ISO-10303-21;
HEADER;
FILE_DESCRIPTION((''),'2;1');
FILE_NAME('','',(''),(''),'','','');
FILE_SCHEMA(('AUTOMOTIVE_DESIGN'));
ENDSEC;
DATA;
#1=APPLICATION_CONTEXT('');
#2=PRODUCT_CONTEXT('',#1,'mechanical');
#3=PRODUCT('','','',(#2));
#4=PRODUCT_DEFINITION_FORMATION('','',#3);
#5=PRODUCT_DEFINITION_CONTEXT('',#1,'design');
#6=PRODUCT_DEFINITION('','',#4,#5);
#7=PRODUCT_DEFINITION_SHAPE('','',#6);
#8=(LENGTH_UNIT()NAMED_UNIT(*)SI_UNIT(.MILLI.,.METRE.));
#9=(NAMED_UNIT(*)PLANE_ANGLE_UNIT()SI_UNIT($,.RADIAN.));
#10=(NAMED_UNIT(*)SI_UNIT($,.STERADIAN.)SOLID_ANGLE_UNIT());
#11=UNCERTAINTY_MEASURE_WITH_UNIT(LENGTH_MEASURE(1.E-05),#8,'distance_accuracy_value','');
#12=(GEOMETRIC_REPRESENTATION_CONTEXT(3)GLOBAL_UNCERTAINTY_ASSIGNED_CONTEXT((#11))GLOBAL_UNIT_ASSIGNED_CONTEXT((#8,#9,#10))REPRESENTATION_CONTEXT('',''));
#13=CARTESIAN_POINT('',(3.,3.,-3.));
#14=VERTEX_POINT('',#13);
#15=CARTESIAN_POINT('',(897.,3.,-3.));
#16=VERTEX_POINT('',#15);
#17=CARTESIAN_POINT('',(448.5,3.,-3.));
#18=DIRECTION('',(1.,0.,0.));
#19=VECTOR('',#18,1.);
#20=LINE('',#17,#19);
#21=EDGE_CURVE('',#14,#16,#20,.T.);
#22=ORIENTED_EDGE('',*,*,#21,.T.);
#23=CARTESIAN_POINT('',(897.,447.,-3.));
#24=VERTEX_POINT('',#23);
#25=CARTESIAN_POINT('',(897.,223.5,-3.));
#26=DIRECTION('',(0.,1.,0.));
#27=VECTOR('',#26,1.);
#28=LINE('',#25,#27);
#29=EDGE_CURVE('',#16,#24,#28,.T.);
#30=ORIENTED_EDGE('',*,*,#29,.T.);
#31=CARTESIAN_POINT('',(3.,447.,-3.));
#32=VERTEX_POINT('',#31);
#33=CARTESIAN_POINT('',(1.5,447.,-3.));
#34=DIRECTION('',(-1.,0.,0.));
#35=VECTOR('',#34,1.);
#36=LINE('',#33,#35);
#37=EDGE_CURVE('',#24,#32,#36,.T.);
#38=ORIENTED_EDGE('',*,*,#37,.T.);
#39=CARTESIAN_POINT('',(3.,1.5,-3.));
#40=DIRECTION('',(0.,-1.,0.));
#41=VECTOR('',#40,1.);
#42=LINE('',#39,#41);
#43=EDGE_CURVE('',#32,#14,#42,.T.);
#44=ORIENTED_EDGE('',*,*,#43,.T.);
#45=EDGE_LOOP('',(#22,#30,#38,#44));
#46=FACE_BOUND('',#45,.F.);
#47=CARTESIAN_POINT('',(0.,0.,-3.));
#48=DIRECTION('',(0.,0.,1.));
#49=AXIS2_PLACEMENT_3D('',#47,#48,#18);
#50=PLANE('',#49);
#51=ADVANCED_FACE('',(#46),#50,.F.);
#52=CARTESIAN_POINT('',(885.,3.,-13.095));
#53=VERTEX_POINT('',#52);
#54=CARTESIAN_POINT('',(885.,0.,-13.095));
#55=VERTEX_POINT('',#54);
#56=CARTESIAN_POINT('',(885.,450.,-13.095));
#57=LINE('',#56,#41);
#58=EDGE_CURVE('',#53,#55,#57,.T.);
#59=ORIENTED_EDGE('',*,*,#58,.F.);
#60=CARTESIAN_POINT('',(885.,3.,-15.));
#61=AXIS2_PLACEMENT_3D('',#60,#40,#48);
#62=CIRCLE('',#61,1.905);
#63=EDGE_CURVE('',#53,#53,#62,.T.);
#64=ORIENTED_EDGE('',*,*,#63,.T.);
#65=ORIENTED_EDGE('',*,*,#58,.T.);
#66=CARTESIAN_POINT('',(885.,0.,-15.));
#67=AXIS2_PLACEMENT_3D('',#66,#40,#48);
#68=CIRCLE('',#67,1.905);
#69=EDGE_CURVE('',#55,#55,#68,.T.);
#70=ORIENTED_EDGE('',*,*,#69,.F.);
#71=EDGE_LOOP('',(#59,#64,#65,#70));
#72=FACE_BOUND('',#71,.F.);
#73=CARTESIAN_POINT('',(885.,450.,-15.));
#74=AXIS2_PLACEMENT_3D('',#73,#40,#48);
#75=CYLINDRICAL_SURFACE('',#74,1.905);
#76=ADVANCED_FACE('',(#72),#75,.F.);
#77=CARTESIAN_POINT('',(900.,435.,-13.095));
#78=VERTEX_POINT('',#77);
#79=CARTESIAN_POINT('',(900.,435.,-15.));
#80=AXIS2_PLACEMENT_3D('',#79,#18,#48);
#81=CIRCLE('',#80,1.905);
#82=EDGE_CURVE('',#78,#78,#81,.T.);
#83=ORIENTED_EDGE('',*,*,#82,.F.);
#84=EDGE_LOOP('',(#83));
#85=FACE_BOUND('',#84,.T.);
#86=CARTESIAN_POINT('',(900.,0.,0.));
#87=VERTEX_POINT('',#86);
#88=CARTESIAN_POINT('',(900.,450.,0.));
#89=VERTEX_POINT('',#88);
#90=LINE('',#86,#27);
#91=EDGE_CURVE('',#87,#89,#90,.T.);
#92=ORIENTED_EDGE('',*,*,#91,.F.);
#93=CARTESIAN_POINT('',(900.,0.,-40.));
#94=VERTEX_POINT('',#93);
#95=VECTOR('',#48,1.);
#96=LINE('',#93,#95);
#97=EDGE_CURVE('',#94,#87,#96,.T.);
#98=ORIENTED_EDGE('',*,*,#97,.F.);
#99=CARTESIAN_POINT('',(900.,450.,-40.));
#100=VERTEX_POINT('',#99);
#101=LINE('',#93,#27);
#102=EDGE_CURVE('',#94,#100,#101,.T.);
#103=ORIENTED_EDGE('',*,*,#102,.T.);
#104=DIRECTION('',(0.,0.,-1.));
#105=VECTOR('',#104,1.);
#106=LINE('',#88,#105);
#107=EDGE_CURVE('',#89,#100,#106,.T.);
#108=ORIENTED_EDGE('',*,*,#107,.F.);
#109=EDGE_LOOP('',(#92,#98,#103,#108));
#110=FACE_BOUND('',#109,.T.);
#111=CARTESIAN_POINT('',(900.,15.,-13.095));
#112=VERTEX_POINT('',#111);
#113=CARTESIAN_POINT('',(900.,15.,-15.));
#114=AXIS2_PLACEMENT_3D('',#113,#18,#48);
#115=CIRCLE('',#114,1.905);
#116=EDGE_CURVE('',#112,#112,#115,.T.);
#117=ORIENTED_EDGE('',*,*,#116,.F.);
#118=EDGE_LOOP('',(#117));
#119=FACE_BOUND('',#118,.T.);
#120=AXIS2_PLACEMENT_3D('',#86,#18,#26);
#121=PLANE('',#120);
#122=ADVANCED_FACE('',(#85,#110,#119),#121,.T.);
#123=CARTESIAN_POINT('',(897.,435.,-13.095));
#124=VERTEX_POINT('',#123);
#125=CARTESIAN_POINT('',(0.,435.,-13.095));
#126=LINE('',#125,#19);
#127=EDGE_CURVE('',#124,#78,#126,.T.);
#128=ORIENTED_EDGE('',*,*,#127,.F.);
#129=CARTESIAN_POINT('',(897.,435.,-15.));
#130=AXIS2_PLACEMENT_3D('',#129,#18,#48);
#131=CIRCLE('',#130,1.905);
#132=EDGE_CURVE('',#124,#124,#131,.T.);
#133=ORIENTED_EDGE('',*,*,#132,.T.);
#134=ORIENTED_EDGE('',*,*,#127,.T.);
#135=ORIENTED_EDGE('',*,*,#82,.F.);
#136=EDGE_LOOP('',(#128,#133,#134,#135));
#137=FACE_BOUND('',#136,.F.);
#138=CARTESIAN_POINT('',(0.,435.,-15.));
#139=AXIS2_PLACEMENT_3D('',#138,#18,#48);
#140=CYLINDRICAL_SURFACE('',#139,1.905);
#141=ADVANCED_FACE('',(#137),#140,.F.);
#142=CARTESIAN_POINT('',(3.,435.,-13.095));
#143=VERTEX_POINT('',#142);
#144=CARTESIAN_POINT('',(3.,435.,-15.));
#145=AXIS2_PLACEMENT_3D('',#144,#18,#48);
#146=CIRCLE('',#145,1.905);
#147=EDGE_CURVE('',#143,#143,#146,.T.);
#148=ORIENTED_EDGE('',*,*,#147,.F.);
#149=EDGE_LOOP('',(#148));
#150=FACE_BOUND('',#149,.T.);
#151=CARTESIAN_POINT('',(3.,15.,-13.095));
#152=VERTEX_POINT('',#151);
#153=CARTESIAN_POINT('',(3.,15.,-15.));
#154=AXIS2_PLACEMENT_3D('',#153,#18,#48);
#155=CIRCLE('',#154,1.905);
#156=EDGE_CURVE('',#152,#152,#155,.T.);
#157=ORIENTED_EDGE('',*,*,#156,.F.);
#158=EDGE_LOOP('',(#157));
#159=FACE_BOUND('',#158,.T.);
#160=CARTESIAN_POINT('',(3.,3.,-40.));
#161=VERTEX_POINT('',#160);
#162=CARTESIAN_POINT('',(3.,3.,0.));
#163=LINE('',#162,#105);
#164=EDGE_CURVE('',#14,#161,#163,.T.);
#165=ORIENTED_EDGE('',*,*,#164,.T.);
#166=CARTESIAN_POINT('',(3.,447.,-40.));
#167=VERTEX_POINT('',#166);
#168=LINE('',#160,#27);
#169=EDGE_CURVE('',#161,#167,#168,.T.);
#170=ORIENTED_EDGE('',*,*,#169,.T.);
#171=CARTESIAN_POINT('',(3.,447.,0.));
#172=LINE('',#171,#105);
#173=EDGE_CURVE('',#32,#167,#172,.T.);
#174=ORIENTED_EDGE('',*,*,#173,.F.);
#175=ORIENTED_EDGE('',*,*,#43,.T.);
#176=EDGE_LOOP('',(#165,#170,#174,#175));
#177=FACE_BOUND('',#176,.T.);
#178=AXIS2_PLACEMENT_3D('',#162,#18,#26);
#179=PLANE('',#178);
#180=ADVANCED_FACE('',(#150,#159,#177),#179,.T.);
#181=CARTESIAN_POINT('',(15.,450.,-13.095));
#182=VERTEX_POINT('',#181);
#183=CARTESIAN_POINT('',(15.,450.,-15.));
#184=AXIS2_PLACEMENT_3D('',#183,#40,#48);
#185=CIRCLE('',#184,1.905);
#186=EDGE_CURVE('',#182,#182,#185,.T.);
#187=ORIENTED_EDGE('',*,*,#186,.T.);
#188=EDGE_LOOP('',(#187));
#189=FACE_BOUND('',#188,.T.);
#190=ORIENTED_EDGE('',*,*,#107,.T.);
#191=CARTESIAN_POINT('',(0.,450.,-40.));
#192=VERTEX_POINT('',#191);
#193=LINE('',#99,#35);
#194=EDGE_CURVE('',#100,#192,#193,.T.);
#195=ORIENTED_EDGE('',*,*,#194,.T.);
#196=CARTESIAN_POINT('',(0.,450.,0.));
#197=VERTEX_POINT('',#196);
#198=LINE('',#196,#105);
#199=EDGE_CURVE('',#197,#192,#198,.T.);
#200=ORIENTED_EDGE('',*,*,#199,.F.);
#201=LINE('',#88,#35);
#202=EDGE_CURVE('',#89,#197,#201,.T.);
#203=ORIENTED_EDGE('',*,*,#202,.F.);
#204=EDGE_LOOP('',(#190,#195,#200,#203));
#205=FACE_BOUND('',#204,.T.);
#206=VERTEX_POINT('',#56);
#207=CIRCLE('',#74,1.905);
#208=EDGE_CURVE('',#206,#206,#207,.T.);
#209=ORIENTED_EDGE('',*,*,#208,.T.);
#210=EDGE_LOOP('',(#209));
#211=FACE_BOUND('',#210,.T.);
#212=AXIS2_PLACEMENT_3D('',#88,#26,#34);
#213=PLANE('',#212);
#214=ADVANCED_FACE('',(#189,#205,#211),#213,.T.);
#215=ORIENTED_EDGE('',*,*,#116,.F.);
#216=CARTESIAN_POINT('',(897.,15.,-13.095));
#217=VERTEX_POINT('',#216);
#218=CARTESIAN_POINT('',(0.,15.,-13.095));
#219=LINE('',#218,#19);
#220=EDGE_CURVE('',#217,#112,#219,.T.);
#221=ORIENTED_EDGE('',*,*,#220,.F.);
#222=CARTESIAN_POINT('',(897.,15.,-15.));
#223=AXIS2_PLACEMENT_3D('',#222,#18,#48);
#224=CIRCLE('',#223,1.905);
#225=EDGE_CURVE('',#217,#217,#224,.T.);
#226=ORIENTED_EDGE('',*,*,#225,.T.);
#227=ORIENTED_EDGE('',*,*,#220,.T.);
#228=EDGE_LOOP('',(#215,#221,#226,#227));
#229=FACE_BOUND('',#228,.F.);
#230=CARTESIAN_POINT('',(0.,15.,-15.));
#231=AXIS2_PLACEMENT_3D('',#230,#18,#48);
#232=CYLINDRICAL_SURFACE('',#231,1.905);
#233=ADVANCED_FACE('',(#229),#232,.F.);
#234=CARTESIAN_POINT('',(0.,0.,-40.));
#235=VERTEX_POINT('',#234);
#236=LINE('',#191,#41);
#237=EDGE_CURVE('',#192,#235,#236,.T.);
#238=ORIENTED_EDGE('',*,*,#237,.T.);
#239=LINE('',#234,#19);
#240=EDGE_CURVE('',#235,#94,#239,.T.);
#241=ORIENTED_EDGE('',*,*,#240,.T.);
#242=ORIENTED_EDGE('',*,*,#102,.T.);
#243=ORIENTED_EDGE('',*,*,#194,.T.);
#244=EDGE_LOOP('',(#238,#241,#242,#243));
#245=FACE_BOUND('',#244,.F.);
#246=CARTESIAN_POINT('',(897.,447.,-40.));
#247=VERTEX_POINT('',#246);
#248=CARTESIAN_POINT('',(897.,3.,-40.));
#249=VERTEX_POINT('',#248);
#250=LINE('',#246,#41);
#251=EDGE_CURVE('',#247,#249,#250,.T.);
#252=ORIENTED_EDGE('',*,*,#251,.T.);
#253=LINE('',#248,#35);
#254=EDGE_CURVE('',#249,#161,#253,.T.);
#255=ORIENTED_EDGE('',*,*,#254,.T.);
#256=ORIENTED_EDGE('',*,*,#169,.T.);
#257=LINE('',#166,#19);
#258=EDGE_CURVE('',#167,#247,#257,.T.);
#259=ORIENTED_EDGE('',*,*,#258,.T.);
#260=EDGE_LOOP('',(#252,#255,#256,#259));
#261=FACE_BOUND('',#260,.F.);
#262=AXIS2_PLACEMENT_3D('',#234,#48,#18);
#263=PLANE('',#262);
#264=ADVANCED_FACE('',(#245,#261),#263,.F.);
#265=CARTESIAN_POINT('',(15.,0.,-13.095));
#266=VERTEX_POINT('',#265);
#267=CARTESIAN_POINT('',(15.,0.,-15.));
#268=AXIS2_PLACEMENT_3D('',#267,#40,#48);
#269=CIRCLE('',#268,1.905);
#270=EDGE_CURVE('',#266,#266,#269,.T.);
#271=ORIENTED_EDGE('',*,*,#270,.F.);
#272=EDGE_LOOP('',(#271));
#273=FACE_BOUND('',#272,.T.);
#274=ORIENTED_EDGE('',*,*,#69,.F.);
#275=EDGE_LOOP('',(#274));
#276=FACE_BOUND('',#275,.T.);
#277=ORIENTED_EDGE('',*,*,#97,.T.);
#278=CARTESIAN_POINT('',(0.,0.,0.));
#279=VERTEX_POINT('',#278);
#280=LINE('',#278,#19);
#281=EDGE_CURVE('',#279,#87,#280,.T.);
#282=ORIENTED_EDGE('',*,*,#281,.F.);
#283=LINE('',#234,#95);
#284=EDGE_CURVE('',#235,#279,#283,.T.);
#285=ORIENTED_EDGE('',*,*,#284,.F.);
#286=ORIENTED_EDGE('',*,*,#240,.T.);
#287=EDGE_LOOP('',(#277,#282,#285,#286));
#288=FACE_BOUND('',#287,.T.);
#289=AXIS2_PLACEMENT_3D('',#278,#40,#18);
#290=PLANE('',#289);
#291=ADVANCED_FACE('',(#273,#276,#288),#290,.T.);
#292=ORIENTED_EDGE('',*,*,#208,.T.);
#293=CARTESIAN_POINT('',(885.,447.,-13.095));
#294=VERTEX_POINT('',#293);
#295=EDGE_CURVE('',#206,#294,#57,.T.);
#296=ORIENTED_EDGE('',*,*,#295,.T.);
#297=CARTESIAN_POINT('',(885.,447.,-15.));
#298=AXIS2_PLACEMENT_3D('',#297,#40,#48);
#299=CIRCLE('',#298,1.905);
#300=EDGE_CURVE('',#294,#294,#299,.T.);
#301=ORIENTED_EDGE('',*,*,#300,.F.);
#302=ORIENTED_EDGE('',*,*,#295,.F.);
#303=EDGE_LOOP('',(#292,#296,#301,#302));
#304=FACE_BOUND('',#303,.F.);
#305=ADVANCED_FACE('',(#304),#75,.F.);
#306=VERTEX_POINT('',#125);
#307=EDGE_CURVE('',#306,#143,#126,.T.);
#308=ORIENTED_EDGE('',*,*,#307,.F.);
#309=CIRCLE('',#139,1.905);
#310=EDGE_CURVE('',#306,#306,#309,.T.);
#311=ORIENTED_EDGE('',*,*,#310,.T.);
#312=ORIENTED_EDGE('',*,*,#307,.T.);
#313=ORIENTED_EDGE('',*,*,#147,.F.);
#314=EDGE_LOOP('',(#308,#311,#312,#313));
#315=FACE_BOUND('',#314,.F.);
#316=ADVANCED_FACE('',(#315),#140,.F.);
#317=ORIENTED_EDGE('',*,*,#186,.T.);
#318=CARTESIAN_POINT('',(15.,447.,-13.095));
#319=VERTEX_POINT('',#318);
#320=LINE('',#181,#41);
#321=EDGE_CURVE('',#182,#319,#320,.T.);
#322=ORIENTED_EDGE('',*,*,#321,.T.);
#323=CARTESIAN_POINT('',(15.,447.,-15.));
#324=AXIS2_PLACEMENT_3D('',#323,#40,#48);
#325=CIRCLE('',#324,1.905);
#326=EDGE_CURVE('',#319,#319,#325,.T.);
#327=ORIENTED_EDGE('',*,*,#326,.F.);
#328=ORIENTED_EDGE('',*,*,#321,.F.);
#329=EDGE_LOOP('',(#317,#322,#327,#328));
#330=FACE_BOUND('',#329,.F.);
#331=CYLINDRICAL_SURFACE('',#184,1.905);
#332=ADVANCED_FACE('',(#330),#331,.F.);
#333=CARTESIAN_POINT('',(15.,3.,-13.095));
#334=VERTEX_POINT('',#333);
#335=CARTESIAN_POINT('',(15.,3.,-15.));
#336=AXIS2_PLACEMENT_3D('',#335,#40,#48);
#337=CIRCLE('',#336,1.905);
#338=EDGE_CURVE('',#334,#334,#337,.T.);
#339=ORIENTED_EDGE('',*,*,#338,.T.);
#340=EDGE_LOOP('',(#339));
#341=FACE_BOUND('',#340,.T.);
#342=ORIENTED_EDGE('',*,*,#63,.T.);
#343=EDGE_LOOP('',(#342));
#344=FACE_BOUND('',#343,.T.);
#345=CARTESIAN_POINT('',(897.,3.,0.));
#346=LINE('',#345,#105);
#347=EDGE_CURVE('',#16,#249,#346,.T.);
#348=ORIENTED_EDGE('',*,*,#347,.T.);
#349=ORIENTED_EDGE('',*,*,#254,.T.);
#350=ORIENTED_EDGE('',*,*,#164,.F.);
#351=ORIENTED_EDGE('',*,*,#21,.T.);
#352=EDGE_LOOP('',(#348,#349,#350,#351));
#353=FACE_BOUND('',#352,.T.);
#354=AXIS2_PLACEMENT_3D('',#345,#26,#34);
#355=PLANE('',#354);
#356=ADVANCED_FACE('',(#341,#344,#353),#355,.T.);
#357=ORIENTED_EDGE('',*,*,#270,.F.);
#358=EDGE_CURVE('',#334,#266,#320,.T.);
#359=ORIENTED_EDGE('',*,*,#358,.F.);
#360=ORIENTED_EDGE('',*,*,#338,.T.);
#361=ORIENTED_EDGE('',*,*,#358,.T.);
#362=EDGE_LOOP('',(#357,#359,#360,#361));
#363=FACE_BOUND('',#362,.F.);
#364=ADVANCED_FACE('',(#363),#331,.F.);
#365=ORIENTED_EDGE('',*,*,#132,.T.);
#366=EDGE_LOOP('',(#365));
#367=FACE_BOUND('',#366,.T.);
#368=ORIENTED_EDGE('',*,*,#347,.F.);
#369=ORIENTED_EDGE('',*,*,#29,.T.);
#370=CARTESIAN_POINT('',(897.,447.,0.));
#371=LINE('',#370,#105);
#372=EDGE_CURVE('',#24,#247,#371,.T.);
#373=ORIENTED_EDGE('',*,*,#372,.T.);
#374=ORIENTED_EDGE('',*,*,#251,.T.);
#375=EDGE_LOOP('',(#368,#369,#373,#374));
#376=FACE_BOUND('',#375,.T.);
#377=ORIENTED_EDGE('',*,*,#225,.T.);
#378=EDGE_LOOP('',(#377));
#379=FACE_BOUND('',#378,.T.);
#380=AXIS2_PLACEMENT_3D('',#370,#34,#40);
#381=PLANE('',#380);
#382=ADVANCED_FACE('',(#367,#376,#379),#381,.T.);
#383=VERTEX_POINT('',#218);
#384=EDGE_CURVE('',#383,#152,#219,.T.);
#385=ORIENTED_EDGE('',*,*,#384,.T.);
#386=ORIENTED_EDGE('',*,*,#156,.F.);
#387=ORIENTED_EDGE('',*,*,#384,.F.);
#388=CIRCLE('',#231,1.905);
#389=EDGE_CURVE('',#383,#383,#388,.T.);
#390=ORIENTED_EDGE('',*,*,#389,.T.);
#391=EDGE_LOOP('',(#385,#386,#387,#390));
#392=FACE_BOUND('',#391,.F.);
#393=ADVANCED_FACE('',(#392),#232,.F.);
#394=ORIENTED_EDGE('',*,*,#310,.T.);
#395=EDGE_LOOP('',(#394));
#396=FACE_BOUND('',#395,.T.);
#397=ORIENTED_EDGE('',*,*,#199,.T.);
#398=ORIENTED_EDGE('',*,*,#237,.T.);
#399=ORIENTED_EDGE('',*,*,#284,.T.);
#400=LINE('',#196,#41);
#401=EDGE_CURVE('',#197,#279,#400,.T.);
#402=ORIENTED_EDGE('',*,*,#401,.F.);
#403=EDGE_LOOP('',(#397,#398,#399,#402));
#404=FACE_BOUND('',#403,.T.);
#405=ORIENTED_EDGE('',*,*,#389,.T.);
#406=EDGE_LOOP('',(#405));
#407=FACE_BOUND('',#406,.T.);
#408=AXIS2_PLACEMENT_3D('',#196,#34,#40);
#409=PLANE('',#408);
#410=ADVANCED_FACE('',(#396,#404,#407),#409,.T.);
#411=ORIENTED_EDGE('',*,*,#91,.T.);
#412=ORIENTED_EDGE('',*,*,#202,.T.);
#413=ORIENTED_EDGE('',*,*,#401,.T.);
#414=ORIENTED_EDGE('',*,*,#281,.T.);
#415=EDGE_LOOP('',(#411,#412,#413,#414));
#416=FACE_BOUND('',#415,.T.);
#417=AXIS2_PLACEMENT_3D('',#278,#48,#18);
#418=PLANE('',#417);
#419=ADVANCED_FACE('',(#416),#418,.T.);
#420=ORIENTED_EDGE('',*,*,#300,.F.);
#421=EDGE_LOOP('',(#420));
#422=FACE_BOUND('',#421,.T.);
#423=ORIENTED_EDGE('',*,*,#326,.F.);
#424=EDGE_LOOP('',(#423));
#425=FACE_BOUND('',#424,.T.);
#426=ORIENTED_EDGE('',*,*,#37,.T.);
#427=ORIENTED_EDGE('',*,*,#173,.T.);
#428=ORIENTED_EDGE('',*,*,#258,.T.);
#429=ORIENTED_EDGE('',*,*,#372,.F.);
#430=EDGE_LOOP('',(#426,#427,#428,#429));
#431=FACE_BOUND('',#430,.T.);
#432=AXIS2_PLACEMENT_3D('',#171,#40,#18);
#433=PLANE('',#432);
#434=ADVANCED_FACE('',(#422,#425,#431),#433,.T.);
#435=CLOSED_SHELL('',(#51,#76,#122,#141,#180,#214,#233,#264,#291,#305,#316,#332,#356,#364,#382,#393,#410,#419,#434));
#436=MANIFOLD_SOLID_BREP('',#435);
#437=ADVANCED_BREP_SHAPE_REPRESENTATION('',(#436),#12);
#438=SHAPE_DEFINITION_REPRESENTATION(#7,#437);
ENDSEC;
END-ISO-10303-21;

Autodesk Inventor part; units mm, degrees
ref_plane "YZ Plane" through (0, 0, 0) normal (1, 0, 0) x (0, 1, 0)
ref_plane "XZ Plane" through (0, 0, 0) normal (0, 1, 0) x (-1, 0, 0)
ref_plane "XY Plane" through (0, 0, 0) normal (0, 0, 1) x (1, 0, 0)
sketch "Sketch1" plane through (0, 0, 0) normal (0, 0, 1) x (1, 0, 0)
  line L0 (0, 0) -> (900, 0)
  line L1 (900, 0) -> (900, 450)
  line L2 (900, 450) -> (0, 450)
  line L3 (0, 450) -> (0, 0)
  line L4 (3, 447) -> (897, 447)
  line L5 (897, 447) -> (897, 3)
  line L6 (897, 3) -> (3, 3)
  line L7 (3, 3) -> (3, 447)
  dimension "d8" = 900
  dimension "d9" = 450
  dimension "d10" = 3
extrude "Extrusion2" add sketch "Sketch1" against normal blind 40
extrude "Extrusion3" add sketch "Sketch1" against normal blind 3 contours L3 L2 L1 L0 | L4 L5 L6 L7
sketch "Sketch2" plane through (0, 450, -40) normal (0, 1, 0) x (1, 0, 0)
  line L0 (0, -40) -> (0, 0) projected
  line L1 (900, -40) -> (0, -40) projected
  line L2 (900, -40) -> (900, 0) projected
  point P0 (15, -25)
  point P1 (885, -25)
  dimension "d22" = 15
  dimension "d23" = 15
  dimension "d24" = 15
  dimension "d25" = 15
hole "Hole1" at (15, 450, -15) at (885, 450, -15) direction (0, -1, 0) diameter 3.81 end through all
sketch "Sketch3" plane through (0, 0, -40) normal (-1, 0, 0) x (0, 0, 1)
  line L0 (40, 450) -> (40, 0) projected
  line L1 (40, 0) -> (0, 0) projected
  line L2 (40, 450) -> (0, 450) projected
  point P0 (25, 15)
  point P1 (25, 435)
  dimension "d26" = 15
  dimension "d27" = 15
  dimension "d28" = 15
  dimension "d29" = 15
hole "Hole2" at (0, 15, -15) at (0, 435, -15) direction (1, 0, 0) diameter 3.81 end through all
equation "\"d8\" = Width"
equation "\"d9\" = Depth"
equation "\"d10\" = Thickness"
equation "\"d11\" = Height"
equation "\"d13\" = Thickness"
equation "\"d22\" = HoleDistance"
equation "\"d23\" = HoleDistance"
equation "\"d24\" = HoleDistance"
equation "\"d25\" = HoleDistance"
equation "\"d26\" = HoleDistance"
equation "\"d27\" = HoleDistance"
equation "\"d28\" = HoleDistance"
equation "\"d29\" = HoleDistance"
equation "\"Width\" = 900"
equation "\"Thickness\" = 3"
equation "\"Depth\" = 450"
equation "\"Height\" = 40"
equation "\"HoleDistance\" = 15"
properties part number "shelf90"
